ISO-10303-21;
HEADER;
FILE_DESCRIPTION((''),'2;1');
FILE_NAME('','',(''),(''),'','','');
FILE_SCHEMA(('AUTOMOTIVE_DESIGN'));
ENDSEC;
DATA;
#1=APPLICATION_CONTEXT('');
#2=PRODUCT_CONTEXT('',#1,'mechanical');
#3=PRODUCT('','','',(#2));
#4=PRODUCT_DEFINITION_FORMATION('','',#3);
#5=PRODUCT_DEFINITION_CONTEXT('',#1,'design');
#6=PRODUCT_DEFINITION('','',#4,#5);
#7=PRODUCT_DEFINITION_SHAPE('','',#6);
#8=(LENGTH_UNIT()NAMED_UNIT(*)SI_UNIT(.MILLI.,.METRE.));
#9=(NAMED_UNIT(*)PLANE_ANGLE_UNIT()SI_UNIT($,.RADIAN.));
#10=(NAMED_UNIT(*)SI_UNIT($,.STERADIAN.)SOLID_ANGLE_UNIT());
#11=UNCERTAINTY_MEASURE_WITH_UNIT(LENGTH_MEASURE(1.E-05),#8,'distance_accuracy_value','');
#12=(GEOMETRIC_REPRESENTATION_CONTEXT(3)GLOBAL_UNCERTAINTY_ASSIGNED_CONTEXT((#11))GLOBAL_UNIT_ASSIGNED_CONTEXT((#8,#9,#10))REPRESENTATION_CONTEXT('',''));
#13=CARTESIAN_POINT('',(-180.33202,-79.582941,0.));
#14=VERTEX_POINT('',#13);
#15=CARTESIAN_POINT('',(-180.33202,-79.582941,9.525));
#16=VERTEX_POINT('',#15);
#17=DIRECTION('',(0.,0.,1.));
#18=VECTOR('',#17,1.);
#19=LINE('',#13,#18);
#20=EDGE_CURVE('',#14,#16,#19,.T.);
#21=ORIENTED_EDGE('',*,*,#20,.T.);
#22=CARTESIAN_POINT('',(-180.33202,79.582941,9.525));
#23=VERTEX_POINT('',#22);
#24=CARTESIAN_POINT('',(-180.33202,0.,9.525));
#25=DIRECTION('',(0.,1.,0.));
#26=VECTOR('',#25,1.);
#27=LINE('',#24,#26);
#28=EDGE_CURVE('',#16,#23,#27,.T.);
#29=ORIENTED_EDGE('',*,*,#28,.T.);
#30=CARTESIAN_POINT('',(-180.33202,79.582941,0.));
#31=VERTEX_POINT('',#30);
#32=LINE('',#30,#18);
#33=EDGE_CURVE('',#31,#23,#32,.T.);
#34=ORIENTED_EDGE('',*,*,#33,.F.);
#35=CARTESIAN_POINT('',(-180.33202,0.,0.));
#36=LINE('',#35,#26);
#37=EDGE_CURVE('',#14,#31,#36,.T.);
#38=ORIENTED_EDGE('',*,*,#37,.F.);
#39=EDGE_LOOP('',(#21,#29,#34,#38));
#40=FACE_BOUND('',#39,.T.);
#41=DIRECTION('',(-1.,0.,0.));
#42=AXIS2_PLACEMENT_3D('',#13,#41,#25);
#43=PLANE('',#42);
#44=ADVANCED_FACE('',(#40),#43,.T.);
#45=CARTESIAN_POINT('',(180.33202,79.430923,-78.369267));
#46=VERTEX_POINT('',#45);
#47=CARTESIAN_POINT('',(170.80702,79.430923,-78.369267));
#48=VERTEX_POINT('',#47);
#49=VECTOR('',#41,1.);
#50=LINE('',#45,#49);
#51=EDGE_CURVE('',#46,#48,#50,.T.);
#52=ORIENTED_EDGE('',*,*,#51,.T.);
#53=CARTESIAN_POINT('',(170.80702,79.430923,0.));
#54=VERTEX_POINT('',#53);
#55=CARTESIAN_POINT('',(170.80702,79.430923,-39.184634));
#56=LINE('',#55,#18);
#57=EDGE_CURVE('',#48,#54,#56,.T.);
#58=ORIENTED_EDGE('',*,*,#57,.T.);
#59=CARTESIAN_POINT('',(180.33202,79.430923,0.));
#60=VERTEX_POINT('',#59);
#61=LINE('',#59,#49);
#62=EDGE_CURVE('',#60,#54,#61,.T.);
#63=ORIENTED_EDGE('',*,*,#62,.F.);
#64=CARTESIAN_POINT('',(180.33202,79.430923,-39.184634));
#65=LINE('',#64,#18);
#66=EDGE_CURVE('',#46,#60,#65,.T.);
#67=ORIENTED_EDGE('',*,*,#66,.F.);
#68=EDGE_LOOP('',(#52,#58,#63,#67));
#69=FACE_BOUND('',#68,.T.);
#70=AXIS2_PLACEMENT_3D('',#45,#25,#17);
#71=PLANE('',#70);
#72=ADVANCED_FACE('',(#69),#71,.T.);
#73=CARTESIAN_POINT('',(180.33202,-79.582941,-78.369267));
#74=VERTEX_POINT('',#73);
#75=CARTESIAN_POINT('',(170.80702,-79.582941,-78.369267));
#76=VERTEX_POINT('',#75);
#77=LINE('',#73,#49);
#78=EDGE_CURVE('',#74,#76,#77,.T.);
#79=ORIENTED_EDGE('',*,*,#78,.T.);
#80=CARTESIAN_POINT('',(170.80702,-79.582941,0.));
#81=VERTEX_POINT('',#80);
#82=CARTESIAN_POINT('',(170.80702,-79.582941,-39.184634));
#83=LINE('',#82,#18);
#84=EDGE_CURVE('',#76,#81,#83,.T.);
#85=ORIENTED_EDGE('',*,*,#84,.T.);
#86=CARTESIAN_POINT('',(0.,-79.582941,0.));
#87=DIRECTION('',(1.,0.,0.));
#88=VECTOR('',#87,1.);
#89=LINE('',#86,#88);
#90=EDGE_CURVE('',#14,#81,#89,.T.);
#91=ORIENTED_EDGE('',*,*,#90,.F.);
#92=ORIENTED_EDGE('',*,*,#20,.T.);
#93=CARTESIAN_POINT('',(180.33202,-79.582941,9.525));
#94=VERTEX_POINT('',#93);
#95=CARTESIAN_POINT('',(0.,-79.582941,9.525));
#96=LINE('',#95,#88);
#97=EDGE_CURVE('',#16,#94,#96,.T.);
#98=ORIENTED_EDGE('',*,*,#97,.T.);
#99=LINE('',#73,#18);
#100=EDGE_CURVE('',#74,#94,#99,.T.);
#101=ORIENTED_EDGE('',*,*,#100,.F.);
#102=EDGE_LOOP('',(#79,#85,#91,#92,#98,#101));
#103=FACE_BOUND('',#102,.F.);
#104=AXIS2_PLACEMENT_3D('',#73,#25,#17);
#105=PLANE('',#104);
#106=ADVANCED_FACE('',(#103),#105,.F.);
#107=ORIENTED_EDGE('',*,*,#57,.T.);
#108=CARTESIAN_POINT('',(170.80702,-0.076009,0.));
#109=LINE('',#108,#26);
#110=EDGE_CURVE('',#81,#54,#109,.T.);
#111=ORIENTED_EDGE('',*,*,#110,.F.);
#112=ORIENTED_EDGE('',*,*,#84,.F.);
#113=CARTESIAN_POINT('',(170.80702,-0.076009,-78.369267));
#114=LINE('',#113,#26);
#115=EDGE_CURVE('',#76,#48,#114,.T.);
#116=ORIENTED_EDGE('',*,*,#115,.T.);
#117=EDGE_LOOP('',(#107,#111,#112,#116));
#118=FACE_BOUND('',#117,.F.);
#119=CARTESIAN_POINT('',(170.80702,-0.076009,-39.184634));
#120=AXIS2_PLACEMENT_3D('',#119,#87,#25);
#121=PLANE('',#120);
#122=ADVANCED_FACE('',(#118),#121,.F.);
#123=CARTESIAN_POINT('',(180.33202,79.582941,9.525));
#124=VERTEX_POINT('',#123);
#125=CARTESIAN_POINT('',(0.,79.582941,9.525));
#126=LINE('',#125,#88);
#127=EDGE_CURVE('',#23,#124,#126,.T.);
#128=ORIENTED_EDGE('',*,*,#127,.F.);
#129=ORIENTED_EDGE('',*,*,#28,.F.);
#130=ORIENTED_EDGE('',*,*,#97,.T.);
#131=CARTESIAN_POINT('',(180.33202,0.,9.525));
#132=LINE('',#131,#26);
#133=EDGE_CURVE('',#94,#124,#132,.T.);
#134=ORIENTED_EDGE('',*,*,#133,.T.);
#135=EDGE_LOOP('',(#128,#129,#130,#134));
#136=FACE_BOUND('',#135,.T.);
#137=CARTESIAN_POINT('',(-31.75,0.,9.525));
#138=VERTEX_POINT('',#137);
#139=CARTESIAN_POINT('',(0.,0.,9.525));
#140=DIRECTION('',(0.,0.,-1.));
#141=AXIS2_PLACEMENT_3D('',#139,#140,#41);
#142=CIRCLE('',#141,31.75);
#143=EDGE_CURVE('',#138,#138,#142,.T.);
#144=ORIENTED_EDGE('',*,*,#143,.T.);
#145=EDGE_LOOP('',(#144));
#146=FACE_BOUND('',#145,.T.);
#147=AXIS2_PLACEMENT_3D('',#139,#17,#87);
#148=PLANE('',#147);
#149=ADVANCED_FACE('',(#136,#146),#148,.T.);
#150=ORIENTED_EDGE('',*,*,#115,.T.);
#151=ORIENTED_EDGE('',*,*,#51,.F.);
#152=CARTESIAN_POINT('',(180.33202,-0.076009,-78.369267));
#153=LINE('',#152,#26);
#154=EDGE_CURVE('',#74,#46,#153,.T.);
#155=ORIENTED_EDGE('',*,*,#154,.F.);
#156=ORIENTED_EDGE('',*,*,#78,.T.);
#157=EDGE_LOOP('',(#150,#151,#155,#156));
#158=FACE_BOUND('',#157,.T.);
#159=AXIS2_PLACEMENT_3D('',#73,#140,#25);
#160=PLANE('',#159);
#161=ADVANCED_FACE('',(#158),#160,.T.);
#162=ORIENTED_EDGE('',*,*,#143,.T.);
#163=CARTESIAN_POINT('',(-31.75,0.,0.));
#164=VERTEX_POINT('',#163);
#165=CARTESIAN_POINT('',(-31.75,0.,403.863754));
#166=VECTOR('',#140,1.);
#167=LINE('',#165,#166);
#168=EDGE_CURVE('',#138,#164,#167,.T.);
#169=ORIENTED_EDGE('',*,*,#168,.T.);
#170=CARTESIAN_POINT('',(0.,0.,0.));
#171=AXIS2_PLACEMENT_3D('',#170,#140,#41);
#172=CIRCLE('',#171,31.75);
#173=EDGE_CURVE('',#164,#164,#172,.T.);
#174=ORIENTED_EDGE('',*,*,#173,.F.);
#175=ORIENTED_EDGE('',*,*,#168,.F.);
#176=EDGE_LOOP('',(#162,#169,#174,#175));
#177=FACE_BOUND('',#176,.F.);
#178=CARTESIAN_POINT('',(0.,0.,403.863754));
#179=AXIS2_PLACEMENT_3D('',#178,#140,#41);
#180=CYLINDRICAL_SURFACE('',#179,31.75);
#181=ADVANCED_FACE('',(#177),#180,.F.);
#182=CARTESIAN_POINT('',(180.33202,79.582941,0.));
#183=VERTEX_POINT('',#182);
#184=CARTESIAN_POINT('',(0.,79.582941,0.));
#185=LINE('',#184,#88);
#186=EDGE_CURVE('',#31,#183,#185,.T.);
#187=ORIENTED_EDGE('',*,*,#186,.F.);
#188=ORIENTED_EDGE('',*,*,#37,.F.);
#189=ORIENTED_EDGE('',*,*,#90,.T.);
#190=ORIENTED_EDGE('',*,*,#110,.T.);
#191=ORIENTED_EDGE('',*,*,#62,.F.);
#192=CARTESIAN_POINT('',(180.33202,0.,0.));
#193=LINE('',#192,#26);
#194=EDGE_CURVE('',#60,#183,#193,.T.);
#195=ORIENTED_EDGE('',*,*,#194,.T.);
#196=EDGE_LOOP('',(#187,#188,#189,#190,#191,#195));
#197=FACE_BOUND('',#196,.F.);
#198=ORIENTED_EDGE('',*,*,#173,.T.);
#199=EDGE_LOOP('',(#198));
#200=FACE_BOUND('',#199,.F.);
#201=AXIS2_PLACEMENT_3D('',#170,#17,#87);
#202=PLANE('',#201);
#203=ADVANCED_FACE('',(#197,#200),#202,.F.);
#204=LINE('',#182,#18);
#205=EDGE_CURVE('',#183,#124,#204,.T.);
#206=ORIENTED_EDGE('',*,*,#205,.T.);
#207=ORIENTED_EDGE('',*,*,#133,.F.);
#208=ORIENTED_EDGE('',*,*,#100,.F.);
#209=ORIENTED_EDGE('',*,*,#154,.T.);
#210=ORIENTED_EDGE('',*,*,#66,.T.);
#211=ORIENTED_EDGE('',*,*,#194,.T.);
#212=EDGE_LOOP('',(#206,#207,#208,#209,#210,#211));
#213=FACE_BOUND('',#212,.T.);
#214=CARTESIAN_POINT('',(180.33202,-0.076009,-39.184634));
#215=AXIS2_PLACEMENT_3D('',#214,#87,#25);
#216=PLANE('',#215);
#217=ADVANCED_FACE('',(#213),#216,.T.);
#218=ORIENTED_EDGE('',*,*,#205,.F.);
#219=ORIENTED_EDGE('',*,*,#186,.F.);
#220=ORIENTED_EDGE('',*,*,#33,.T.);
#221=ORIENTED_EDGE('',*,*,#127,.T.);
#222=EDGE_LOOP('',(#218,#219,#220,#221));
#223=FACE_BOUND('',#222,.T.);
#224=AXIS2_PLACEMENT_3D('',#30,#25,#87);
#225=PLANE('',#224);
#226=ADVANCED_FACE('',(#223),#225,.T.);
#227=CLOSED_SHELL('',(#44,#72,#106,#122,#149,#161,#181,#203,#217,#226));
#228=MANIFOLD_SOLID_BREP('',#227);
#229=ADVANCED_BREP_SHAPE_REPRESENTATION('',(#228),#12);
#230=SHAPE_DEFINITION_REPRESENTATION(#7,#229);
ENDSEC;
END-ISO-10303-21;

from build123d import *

# Parameters (mm, degrees)
F0_W     = 360.6640398502
F0_H     = 159.1658816382
F1_DEPTH = 9.525
F3_D     = 63.5
F4_W     = 159.013863685
F4_H     = 78.3692672849
F5_DEPTH = 9.525


with BuildPart() as f1:
    # F0 (on Top) → F1 (new body)
    with BuildSketch(Plane.XY):
        Rectangle(F0_W, F0_H)
    extrude(amount=F1_DEPTH)

    # F3 (through all)
    with Locations(Plane.XY.offset(9.525)):
        with Locations((0, 0)):
            Hole(F3_D / 2)

    # F4 (on face) → F5 (join)
    with BuildSketch(Plane.YZ.offset(180.3320199251)):
        with Locations((-0.0760089766, -39.1846336424)):
            Rectangle(F4_W, F4_H)
    extrude(amount=-F5_DEPTH)


solid = f1.part
